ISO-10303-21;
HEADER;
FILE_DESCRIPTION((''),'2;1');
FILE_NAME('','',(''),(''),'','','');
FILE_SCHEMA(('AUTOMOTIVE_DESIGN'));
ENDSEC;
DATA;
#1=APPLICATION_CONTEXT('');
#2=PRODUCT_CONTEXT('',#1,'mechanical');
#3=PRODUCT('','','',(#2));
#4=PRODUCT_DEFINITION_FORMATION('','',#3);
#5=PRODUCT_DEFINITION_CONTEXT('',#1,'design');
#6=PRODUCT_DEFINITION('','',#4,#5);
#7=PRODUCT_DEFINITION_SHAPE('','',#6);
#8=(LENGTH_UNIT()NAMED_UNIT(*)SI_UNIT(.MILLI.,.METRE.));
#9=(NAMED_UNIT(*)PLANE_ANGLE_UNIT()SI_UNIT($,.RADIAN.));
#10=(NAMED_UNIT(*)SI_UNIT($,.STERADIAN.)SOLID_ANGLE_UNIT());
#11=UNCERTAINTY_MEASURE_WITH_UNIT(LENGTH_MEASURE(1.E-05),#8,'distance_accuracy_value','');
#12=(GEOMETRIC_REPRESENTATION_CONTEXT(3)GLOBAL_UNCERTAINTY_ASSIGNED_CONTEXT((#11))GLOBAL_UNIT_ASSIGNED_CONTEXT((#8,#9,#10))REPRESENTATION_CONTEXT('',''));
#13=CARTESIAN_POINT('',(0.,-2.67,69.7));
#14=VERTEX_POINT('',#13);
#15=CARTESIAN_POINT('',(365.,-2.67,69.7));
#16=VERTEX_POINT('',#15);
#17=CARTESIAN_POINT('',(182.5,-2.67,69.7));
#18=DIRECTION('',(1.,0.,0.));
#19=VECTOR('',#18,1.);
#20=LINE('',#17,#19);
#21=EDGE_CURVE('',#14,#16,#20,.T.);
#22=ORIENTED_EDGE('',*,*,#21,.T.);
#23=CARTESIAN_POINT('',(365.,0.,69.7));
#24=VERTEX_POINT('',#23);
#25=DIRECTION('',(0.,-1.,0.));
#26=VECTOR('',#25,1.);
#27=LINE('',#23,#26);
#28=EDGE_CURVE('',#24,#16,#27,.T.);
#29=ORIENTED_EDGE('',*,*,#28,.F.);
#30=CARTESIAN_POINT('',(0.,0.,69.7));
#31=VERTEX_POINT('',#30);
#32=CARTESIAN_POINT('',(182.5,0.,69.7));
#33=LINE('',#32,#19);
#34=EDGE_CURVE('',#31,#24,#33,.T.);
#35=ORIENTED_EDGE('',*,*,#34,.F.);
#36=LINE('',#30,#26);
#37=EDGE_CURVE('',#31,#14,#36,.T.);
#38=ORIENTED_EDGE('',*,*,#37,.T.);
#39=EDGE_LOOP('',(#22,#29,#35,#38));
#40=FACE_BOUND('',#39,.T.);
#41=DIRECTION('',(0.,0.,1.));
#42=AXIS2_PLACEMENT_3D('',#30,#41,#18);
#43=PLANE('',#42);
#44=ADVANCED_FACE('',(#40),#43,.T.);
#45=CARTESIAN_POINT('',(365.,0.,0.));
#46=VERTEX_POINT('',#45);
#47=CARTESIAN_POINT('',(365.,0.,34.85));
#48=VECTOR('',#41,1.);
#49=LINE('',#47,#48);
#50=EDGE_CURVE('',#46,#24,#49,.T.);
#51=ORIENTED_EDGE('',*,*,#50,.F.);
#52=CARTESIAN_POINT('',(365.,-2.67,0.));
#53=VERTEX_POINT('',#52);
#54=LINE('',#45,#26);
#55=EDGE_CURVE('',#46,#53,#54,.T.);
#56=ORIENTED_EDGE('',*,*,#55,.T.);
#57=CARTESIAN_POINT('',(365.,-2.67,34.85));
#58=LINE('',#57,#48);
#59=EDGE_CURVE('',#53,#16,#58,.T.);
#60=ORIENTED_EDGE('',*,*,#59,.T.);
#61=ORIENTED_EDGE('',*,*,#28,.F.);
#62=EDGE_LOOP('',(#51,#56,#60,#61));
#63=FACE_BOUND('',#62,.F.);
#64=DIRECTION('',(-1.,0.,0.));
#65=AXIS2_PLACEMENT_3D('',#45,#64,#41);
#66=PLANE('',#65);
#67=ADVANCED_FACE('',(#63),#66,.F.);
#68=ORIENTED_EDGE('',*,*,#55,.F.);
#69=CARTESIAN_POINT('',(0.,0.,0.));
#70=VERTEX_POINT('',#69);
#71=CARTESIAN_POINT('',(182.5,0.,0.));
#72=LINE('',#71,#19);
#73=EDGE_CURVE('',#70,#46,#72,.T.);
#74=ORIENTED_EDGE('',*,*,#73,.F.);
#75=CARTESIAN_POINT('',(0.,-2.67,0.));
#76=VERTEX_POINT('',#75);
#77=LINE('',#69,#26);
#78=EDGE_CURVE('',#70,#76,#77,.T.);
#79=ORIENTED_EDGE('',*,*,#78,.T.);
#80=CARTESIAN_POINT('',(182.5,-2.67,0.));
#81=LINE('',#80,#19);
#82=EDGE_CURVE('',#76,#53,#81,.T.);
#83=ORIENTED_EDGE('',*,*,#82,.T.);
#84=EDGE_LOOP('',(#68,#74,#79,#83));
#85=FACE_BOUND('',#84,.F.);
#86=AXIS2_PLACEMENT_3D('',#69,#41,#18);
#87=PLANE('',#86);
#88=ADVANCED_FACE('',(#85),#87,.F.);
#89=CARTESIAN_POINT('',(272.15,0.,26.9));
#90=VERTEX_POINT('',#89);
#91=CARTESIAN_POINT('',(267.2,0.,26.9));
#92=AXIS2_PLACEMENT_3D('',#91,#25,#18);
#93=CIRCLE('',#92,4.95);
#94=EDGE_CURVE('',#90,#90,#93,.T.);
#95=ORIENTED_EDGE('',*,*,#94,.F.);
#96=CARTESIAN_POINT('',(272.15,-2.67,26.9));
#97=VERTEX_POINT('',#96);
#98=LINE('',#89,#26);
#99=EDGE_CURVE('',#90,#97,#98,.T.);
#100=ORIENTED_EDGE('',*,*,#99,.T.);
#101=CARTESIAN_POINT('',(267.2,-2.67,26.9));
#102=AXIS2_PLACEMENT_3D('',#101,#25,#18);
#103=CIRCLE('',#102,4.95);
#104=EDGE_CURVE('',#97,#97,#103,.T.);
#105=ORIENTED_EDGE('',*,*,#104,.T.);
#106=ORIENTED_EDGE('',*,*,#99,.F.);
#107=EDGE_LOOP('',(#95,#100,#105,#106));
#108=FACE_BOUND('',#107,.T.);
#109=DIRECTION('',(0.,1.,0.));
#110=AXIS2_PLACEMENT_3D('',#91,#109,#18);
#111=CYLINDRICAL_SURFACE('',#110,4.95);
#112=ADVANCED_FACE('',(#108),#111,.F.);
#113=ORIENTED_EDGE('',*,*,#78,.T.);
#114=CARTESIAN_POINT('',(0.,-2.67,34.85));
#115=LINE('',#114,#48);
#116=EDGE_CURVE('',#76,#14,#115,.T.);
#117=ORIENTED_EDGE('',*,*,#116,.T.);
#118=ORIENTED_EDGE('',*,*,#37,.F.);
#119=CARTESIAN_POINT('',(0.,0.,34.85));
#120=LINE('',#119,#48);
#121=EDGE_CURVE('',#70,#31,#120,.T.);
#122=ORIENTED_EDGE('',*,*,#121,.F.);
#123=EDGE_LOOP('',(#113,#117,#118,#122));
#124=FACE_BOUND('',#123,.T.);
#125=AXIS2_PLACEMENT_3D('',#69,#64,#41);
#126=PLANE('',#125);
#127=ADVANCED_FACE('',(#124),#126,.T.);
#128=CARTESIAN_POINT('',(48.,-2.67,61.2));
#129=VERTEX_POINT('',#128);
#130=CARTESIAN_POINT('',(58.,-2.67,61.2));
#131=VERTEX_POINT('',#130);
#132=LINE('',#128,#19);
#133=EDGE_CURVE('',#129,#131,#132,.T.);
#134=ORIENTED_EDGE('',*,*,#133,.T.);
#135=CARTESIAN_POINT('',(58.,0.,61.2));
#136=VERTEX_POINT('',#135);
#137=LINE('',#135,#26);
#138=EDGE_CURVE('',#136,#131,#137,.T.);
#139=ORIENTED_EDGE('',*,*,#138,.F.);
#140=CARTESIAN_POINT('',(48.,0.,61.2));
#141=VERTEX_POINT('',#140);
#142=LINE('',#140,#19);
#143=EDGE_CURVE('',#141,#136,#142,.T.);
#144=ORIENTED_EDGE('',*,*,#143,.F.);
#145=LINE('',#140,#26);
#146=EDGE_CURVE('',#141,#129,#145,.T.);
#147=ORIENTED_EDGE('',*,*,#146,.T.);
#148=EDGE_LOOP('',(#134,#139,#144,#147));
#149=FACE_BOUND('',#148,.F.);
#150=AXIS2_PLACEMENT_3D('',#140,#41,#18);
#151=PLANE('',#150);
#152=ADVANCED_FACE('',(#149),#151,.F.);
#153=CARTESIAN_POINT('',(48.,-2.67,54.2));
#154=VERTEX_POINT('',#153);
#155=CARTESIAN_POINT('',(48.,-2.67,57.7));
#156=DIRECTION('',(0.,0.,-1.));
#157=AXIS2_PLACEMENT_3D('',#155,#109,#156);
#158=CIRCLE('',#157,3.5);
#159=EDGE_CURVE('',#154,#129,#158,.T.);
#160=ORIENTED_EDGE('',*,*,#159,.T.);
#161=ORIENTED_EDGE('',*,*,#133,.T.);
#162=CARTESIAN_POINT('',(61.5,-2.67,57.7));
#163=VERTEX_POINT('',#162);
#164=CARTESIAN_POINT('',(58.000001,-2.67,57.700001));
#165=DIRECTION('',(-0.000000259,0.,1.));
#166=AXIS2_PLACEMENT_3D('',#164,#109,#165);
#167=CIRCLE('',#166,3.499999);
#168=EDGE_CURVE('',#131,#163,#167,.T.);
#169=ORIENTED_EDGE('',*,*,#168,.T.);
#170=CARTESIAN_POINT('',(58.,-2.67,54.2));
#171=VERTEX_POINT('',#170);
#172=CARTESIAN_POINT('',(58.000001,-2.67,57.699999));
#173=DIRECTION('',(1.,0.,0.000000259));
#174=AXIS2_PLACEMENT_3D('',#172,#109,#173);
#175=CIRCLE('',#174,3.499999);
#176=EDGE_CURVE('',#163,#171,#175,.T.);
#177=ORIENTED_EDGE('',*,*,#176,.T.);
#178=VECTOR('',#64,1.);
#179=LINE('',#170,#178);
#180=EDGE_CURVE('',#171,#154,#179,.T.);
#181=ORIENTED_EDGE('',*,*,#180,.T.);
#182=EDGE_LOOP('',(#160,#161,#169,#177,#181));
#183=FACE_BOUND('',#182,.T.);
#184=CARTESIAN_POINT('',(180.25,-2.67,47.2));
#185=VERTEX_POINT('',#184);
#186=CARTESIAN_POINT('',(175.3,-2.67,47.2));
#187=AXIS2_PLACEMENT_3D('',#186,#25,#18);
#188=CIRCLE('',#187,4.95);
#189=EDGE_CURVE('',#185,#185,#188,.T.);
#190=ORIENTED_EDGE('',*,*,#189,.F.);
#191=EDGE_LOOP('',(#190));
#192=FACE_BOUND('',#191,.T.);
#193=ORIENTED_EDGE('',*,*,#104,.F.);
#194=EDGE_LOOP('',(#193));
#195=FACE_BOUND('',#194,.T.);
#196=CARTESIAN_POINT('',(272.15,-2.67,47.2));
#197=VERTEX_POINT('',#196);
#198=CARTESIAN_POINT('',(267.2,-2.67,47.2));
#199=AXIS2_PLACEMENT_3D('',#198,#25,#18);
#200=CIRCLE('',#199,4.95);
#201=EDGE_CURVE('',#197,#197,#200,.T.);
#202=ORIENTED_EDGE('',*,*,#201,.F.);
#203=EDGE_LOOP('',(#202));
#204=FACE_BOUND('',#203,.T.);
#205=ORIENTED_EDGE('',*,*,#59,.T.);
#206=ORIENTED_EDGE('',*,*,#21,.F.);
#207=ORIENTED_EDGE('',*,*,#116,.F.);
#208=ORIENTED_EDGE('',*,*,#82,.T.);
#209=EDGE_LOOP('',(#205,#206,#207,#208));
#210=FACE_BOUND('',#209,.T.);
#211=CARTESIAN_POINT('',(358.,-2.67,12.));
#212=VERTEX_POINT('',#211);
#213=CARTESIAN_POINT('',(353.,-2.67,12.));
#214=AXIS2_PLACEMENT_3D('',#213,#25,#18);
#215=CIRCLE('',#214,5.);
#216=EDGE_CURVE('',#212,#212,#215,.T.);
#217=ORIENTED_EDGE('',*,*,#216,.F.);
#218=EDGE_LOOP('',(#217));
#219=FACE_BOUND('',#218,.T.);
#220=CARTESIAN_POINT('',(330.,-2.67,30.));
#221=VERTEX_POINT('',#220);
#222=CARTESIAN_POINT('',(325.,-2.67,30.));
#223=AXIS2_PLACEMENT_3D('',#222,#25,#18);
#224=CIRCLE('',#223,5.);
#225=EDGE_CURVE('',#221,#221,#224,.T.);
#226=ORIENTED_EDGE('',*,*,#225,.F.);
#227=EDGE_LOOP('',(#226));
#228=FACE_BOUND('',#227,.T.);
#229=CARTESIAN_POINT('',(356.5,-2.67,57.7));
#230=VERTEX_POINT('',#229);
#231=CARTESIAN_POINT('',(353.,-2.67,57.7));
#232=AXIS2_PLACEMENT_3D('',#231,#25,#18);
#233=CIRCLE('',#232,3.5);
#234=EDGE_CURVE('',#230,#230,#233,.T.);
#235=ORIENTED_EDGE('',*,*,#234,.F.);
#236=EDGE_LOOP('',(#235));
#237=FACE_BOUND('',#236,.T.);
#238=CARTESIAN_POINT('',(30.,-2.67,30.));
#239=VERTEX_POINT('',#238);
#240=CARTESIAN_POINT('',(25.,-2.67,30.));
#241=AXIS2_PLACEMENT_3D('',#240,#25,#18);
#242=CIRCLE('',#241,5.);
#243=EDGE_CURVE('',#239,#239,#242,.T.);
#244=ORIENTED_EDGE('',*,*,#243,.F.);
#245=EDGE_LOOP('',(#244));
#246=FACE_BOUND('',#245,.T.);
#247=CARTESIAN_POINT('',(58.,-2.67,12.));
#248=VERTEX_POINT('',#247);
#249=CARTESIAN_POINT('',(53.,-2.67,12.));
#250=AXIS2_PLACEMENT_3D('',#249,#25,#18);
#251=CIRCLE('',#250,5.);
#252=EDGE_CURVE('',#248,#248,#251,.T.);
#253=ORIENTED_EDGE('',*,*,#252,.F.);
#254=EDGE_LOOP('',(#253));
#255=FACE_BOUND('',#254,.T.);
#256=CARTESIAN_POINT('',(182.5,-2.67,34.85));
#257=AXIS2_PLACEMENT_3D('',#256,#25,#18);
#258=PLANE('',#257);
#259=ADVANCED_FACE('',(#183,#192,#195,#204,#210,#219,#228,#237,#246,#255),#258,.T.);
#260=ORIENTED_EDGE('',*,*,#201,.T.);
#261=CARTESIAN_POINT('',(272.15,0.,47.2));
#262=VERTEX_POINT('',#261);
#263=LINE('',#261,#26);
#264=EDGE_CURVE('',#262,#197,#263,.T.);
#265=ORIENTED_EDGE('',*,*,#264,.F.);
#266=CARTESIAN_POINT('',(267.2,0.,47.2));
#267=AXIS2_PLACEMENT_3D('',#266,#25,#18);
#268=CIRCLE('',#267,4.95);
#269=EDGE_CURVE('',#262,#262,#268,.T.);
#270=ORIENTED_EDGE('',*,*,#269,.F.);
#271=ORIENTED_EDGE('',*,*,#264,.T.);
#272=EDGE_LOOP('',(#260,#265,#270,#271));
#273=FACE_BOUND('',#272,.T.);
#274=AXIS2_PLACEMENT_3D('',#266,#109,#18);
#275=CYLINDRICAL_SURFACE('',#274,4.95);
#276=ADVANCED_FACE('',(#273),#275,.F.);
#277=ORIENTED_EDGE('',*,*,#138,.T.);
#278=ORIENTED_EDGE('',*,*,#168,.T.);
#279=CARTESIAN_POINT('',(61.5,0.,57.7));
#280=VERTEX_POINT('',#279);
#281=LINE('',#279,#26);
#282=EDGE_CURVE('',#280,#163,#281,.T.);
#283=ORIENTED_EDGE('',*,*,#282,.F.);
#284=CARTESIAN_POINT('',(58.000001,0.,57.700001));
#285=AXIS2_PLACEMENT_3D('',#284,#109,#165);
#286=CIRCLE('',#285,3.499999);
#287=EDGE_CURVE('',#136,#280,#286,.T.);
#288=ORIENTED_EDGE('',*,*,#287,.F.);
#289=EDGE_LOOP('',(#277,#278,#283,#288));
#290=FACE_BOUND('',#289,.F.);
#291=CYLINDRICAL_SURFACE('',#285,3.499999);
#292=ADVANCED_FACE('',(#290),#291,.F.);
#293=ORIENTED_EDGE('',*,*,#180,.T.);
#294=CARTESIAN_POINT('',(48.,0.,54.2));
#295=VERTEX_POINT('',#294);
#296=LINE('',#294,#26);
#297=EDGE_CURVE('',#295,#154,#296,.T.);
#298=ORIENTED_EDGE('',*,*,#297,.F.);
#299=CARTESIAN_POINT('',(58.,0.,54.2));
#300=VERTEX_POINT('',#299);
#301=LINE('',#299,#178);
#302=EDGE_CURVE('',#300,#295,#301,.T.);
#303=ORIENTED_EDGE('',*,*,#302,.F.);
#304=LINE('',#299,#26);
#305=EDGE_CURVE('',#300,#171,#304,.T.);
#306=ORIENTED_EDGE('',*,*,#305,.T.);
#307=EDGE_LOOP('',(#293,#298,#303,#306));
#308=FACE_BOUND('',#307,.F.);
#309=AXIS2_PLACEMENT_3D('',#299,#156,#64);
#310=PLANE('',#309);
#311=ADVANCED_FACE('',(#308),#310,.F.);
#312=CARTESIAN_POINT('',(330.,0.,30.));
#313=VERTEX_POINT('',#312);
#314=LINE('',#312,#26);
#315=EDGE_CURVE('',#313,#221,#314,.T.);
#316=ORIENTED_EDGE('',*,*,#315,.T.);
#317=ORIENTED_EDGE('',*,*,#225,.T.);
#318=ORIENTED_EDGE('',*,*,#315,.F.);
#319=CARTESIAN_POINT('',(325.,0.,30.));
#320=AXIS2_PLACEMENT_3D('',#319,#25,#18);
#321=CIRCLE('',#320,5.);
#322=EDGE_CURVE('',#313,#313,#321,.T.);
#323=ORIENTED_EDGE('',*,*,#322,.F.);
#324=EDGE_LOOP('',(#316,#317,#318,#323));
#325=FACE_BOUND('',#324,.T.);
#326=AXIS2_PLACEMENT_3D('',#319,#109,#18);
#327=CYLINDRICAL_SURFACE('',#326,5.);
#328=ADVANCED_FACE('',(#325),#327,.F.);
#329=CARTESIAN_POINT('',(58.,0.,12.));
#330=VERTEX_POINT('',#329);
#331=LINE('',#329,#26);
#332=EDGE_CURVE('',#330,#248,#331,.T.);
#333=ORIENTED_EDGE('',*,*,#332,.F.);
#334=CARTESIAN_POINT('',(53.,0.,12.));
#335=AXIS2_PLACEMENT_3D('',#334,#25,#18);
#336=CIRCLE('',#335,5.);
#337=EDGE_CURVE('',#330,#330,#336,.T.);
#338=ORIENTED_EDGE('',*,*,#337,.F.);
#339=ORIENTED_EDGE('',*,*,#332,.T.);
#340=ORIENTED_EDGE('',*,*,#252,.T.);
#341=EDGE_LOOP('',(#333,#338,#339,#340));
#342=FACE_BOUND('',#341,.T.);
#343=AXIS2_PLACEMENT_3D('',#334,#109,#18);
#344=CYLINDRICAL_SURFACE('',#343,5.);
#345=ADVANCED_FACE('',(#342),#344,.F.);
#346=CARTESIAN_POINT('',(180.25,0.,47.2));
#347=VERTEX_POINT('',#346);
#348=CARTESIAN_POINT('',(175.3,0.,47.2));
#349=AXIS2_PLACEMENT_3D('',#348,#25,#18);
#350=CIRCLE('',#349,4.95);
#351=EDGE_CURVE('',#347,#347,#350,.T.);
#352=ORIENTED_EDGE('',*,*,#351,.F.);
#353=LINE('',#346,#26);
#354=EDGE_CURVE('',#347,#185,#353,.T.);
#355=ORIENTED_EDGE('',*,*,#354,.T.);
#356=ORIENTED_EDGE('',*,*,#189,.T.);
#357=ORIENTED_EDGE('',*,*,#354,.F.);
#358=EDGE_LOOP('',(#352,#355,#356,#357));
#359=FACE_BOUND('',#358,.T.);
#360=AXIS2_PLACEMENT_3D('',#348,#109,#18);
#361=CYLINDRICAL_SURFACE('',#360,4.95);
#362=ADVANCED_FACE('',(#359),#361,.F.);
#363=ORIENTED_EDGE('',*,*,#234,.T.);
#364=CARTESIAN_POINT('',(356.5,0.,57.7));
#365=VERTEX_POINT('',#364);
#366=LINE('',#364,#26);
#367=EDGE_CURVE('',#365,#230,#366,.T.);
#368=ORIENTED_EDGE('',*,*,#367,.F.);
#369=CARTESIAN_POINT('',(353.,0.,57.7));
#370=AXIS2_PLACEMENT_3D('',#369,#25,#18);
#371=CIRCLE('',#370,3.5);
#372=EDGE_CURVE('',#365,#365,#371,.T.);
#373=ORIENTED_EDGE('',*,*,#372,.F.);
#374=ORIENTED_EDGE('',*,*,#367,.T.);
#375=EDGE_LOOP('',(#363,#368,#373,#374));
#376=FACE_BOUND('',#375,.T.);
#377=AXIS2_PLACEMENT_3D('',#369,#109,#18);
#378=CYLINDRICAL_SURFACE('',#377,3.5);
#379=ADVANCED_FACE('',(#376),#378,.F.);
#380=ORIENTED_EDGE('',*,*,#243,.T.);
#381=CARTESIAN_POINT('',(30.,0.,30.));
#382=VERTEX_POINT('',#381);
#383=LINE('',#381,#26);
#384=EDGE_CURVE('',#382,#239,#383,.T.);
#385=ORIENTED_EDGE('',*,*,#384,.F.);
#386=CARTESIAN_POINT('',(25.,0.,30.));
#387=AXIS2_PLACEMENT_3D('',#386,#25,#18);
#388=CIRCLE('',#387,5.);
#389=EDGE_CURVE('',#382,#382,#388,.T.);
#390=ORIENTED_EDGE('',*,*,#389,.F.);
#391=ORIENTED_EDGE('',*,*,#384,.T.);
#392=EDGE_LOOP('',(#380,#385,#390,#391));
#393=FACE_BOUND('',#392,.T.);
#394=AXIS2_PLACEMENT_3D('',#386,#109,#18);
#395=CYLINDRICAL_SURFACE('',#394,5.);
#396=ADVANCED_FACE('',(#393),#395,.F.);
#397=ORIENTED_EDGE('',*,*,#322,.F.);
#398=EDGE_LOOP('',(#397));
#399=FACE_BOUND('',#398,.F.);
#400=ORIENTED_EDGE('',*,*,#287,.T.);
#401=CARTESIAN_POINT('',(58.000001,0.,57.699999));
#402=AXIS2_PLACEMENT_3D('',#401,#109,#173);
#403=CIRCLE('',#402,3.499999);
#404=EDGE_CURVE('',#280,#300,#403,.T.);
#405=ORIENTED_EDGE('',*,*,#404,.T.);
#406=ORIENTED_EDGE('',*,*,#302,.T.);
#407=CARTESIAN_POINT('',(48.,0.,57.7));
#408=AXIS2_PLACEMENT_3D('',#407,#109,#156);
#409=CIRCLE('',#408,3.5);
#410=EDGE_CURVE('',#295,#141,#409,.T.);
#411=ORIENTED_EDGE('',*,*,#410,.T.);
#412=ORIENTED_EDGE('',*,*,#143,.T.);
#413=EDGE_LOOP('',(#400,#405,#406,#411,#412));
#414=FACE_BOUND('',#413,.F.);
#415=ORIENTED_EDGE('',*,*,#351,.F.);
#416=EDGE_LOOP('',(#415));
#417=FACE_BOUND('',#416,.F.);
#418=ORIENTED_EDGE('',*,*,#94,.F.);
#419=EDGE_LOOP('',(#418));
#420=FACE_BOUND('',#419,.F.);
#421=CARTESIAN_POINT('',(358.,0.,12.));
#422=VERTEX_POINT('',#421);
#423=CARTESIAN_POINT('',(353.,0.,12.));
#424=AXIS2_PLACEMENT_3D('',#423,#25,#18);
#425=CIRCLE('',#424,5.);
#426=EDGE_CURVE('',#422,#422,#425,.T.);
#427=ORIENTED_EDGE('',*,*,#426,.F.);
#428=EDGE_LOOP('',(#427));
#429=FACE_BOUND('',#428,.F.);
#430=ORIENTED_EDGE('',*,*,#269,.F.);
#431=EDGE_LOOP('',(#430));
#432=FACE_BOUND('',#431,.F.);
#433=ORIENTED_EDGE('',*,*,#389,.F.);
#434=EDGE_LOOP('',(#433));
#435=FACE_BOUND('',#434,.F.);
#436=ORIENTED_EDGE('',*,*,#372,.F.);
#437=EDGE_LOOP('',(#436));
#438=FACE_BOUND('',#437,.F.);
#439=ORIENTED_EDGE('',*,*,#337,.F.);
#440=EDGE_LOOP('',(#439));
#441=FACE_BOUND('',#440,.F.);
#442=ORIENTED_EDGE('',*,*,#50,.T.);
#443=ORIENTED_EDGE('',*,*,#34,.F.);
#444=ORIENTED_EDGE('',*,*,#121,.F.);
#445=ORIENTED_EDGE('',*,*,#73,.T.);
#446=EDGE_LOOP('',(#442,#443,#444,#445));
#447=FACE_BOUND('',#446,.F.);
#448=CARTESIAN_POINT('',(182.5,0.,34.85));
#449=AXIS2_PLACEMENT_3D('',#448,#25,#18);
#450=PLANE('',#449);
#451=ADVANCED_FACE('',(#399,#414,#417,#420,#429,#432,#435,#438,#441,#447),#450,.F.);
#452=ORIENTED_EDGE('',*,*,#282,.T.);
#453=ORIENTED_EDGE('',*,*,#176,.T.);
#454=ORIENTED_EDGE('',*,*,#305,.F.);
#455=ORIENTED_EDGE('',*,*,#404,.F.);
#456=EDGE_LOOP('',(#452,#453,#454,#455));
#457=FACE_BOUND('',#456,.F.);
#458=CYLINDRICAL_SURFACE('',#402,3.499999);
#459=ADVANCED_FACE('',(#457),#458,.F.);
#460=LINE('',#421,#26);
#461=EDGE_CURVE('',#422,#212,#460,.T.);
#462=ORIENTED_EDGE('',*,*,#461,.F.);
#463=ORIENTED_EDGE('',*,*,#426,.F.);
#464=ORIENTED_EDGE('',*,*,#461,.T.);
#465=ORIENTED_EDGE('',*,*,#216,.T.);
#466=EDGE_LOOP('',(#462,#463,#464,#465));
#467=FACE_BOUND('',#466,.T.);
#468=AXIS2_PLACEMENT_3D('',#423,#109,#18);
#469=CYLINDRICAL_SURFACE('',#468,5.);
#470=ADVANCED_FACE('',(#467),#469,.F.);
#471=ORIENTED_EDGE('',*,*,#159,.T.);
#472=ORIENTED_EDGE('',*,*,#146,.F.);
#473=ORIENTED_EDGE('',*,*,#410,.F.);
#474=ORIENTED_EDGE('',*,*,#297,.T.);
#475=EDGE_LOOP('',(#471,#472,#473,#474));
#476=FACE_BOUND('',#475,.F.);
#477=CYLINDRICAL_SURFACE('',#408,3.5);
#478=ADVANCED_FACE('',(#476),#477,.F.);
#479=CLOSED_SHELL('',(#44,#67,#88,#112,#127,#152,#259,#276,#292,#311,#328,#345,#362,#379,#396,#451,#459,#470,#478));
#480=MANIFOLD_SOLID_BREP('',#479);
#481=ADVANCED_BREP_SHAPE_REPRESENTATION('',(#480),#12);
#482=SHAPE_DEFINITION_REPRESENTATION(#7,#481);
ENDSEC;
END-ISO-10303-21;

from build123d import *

# Parameters (mm, degrees)
F0_W     = 365
F0_H     = 69.7
F0_R     = 5
F0_R_2   = 4.95
F0_R_3   = 3.5
F1_DEPTH = 2.67


with BuildPart() as f1:
    # F0 (on Front) → F1 (new body)
    with BuildSketch(Plane.XZ):
        with Locations((182.5, 34.85)):
            Rectangle(F0_W, F0_H)
        with Locations((53, 12)):
            Circle(F0_R, mode=Mode.SUBTRACT)
        with Locations((25, 30)):
            Circle(F0_R, mode=Mode.SUBTRACT)
        with Locations((353, 12)):
            Circle(F0_R, mode=Mode.SUBTRACT)
        with Locations((267.2, 26.9)):
            Circle(F0_R_2, mode=Mode.SUBTRACT)
        with Locations((325, 30)):
            Circle(F0_R, mode=Mode.SUBTRACT)
        with Locations((175.3, 47.2)):
            Circle(F0_R_2, mode=Mode.SUBTRACT)
        with BuildLine():
            ThreePointArc((48, 54.2), (44.5, 57.7), (48, 61.2))
            Line((48, 61.2), (58, 61.2))
            ThreePointArc((58, 61.2), (60.474874, 60.174874), (61.5, 57.7))
            ThreePointArc((61.5, 57.7), (60.474874, 55.225126), (58, 54.2))
            Line((58, 54.2), (48, 54.2))
        make_face(mode=Mode.SUBTRACT)
        with Locations((267.2, 47.2)):
            Circle(F0_R_2, mode=Mode.SUBTRACT)
        with Locations((353, 57.7)):
            Circle(F0_R_3, mode=Mode.SUBTRACT)
    extrude(amount=F1_DEPTH)


solid = f1.part
